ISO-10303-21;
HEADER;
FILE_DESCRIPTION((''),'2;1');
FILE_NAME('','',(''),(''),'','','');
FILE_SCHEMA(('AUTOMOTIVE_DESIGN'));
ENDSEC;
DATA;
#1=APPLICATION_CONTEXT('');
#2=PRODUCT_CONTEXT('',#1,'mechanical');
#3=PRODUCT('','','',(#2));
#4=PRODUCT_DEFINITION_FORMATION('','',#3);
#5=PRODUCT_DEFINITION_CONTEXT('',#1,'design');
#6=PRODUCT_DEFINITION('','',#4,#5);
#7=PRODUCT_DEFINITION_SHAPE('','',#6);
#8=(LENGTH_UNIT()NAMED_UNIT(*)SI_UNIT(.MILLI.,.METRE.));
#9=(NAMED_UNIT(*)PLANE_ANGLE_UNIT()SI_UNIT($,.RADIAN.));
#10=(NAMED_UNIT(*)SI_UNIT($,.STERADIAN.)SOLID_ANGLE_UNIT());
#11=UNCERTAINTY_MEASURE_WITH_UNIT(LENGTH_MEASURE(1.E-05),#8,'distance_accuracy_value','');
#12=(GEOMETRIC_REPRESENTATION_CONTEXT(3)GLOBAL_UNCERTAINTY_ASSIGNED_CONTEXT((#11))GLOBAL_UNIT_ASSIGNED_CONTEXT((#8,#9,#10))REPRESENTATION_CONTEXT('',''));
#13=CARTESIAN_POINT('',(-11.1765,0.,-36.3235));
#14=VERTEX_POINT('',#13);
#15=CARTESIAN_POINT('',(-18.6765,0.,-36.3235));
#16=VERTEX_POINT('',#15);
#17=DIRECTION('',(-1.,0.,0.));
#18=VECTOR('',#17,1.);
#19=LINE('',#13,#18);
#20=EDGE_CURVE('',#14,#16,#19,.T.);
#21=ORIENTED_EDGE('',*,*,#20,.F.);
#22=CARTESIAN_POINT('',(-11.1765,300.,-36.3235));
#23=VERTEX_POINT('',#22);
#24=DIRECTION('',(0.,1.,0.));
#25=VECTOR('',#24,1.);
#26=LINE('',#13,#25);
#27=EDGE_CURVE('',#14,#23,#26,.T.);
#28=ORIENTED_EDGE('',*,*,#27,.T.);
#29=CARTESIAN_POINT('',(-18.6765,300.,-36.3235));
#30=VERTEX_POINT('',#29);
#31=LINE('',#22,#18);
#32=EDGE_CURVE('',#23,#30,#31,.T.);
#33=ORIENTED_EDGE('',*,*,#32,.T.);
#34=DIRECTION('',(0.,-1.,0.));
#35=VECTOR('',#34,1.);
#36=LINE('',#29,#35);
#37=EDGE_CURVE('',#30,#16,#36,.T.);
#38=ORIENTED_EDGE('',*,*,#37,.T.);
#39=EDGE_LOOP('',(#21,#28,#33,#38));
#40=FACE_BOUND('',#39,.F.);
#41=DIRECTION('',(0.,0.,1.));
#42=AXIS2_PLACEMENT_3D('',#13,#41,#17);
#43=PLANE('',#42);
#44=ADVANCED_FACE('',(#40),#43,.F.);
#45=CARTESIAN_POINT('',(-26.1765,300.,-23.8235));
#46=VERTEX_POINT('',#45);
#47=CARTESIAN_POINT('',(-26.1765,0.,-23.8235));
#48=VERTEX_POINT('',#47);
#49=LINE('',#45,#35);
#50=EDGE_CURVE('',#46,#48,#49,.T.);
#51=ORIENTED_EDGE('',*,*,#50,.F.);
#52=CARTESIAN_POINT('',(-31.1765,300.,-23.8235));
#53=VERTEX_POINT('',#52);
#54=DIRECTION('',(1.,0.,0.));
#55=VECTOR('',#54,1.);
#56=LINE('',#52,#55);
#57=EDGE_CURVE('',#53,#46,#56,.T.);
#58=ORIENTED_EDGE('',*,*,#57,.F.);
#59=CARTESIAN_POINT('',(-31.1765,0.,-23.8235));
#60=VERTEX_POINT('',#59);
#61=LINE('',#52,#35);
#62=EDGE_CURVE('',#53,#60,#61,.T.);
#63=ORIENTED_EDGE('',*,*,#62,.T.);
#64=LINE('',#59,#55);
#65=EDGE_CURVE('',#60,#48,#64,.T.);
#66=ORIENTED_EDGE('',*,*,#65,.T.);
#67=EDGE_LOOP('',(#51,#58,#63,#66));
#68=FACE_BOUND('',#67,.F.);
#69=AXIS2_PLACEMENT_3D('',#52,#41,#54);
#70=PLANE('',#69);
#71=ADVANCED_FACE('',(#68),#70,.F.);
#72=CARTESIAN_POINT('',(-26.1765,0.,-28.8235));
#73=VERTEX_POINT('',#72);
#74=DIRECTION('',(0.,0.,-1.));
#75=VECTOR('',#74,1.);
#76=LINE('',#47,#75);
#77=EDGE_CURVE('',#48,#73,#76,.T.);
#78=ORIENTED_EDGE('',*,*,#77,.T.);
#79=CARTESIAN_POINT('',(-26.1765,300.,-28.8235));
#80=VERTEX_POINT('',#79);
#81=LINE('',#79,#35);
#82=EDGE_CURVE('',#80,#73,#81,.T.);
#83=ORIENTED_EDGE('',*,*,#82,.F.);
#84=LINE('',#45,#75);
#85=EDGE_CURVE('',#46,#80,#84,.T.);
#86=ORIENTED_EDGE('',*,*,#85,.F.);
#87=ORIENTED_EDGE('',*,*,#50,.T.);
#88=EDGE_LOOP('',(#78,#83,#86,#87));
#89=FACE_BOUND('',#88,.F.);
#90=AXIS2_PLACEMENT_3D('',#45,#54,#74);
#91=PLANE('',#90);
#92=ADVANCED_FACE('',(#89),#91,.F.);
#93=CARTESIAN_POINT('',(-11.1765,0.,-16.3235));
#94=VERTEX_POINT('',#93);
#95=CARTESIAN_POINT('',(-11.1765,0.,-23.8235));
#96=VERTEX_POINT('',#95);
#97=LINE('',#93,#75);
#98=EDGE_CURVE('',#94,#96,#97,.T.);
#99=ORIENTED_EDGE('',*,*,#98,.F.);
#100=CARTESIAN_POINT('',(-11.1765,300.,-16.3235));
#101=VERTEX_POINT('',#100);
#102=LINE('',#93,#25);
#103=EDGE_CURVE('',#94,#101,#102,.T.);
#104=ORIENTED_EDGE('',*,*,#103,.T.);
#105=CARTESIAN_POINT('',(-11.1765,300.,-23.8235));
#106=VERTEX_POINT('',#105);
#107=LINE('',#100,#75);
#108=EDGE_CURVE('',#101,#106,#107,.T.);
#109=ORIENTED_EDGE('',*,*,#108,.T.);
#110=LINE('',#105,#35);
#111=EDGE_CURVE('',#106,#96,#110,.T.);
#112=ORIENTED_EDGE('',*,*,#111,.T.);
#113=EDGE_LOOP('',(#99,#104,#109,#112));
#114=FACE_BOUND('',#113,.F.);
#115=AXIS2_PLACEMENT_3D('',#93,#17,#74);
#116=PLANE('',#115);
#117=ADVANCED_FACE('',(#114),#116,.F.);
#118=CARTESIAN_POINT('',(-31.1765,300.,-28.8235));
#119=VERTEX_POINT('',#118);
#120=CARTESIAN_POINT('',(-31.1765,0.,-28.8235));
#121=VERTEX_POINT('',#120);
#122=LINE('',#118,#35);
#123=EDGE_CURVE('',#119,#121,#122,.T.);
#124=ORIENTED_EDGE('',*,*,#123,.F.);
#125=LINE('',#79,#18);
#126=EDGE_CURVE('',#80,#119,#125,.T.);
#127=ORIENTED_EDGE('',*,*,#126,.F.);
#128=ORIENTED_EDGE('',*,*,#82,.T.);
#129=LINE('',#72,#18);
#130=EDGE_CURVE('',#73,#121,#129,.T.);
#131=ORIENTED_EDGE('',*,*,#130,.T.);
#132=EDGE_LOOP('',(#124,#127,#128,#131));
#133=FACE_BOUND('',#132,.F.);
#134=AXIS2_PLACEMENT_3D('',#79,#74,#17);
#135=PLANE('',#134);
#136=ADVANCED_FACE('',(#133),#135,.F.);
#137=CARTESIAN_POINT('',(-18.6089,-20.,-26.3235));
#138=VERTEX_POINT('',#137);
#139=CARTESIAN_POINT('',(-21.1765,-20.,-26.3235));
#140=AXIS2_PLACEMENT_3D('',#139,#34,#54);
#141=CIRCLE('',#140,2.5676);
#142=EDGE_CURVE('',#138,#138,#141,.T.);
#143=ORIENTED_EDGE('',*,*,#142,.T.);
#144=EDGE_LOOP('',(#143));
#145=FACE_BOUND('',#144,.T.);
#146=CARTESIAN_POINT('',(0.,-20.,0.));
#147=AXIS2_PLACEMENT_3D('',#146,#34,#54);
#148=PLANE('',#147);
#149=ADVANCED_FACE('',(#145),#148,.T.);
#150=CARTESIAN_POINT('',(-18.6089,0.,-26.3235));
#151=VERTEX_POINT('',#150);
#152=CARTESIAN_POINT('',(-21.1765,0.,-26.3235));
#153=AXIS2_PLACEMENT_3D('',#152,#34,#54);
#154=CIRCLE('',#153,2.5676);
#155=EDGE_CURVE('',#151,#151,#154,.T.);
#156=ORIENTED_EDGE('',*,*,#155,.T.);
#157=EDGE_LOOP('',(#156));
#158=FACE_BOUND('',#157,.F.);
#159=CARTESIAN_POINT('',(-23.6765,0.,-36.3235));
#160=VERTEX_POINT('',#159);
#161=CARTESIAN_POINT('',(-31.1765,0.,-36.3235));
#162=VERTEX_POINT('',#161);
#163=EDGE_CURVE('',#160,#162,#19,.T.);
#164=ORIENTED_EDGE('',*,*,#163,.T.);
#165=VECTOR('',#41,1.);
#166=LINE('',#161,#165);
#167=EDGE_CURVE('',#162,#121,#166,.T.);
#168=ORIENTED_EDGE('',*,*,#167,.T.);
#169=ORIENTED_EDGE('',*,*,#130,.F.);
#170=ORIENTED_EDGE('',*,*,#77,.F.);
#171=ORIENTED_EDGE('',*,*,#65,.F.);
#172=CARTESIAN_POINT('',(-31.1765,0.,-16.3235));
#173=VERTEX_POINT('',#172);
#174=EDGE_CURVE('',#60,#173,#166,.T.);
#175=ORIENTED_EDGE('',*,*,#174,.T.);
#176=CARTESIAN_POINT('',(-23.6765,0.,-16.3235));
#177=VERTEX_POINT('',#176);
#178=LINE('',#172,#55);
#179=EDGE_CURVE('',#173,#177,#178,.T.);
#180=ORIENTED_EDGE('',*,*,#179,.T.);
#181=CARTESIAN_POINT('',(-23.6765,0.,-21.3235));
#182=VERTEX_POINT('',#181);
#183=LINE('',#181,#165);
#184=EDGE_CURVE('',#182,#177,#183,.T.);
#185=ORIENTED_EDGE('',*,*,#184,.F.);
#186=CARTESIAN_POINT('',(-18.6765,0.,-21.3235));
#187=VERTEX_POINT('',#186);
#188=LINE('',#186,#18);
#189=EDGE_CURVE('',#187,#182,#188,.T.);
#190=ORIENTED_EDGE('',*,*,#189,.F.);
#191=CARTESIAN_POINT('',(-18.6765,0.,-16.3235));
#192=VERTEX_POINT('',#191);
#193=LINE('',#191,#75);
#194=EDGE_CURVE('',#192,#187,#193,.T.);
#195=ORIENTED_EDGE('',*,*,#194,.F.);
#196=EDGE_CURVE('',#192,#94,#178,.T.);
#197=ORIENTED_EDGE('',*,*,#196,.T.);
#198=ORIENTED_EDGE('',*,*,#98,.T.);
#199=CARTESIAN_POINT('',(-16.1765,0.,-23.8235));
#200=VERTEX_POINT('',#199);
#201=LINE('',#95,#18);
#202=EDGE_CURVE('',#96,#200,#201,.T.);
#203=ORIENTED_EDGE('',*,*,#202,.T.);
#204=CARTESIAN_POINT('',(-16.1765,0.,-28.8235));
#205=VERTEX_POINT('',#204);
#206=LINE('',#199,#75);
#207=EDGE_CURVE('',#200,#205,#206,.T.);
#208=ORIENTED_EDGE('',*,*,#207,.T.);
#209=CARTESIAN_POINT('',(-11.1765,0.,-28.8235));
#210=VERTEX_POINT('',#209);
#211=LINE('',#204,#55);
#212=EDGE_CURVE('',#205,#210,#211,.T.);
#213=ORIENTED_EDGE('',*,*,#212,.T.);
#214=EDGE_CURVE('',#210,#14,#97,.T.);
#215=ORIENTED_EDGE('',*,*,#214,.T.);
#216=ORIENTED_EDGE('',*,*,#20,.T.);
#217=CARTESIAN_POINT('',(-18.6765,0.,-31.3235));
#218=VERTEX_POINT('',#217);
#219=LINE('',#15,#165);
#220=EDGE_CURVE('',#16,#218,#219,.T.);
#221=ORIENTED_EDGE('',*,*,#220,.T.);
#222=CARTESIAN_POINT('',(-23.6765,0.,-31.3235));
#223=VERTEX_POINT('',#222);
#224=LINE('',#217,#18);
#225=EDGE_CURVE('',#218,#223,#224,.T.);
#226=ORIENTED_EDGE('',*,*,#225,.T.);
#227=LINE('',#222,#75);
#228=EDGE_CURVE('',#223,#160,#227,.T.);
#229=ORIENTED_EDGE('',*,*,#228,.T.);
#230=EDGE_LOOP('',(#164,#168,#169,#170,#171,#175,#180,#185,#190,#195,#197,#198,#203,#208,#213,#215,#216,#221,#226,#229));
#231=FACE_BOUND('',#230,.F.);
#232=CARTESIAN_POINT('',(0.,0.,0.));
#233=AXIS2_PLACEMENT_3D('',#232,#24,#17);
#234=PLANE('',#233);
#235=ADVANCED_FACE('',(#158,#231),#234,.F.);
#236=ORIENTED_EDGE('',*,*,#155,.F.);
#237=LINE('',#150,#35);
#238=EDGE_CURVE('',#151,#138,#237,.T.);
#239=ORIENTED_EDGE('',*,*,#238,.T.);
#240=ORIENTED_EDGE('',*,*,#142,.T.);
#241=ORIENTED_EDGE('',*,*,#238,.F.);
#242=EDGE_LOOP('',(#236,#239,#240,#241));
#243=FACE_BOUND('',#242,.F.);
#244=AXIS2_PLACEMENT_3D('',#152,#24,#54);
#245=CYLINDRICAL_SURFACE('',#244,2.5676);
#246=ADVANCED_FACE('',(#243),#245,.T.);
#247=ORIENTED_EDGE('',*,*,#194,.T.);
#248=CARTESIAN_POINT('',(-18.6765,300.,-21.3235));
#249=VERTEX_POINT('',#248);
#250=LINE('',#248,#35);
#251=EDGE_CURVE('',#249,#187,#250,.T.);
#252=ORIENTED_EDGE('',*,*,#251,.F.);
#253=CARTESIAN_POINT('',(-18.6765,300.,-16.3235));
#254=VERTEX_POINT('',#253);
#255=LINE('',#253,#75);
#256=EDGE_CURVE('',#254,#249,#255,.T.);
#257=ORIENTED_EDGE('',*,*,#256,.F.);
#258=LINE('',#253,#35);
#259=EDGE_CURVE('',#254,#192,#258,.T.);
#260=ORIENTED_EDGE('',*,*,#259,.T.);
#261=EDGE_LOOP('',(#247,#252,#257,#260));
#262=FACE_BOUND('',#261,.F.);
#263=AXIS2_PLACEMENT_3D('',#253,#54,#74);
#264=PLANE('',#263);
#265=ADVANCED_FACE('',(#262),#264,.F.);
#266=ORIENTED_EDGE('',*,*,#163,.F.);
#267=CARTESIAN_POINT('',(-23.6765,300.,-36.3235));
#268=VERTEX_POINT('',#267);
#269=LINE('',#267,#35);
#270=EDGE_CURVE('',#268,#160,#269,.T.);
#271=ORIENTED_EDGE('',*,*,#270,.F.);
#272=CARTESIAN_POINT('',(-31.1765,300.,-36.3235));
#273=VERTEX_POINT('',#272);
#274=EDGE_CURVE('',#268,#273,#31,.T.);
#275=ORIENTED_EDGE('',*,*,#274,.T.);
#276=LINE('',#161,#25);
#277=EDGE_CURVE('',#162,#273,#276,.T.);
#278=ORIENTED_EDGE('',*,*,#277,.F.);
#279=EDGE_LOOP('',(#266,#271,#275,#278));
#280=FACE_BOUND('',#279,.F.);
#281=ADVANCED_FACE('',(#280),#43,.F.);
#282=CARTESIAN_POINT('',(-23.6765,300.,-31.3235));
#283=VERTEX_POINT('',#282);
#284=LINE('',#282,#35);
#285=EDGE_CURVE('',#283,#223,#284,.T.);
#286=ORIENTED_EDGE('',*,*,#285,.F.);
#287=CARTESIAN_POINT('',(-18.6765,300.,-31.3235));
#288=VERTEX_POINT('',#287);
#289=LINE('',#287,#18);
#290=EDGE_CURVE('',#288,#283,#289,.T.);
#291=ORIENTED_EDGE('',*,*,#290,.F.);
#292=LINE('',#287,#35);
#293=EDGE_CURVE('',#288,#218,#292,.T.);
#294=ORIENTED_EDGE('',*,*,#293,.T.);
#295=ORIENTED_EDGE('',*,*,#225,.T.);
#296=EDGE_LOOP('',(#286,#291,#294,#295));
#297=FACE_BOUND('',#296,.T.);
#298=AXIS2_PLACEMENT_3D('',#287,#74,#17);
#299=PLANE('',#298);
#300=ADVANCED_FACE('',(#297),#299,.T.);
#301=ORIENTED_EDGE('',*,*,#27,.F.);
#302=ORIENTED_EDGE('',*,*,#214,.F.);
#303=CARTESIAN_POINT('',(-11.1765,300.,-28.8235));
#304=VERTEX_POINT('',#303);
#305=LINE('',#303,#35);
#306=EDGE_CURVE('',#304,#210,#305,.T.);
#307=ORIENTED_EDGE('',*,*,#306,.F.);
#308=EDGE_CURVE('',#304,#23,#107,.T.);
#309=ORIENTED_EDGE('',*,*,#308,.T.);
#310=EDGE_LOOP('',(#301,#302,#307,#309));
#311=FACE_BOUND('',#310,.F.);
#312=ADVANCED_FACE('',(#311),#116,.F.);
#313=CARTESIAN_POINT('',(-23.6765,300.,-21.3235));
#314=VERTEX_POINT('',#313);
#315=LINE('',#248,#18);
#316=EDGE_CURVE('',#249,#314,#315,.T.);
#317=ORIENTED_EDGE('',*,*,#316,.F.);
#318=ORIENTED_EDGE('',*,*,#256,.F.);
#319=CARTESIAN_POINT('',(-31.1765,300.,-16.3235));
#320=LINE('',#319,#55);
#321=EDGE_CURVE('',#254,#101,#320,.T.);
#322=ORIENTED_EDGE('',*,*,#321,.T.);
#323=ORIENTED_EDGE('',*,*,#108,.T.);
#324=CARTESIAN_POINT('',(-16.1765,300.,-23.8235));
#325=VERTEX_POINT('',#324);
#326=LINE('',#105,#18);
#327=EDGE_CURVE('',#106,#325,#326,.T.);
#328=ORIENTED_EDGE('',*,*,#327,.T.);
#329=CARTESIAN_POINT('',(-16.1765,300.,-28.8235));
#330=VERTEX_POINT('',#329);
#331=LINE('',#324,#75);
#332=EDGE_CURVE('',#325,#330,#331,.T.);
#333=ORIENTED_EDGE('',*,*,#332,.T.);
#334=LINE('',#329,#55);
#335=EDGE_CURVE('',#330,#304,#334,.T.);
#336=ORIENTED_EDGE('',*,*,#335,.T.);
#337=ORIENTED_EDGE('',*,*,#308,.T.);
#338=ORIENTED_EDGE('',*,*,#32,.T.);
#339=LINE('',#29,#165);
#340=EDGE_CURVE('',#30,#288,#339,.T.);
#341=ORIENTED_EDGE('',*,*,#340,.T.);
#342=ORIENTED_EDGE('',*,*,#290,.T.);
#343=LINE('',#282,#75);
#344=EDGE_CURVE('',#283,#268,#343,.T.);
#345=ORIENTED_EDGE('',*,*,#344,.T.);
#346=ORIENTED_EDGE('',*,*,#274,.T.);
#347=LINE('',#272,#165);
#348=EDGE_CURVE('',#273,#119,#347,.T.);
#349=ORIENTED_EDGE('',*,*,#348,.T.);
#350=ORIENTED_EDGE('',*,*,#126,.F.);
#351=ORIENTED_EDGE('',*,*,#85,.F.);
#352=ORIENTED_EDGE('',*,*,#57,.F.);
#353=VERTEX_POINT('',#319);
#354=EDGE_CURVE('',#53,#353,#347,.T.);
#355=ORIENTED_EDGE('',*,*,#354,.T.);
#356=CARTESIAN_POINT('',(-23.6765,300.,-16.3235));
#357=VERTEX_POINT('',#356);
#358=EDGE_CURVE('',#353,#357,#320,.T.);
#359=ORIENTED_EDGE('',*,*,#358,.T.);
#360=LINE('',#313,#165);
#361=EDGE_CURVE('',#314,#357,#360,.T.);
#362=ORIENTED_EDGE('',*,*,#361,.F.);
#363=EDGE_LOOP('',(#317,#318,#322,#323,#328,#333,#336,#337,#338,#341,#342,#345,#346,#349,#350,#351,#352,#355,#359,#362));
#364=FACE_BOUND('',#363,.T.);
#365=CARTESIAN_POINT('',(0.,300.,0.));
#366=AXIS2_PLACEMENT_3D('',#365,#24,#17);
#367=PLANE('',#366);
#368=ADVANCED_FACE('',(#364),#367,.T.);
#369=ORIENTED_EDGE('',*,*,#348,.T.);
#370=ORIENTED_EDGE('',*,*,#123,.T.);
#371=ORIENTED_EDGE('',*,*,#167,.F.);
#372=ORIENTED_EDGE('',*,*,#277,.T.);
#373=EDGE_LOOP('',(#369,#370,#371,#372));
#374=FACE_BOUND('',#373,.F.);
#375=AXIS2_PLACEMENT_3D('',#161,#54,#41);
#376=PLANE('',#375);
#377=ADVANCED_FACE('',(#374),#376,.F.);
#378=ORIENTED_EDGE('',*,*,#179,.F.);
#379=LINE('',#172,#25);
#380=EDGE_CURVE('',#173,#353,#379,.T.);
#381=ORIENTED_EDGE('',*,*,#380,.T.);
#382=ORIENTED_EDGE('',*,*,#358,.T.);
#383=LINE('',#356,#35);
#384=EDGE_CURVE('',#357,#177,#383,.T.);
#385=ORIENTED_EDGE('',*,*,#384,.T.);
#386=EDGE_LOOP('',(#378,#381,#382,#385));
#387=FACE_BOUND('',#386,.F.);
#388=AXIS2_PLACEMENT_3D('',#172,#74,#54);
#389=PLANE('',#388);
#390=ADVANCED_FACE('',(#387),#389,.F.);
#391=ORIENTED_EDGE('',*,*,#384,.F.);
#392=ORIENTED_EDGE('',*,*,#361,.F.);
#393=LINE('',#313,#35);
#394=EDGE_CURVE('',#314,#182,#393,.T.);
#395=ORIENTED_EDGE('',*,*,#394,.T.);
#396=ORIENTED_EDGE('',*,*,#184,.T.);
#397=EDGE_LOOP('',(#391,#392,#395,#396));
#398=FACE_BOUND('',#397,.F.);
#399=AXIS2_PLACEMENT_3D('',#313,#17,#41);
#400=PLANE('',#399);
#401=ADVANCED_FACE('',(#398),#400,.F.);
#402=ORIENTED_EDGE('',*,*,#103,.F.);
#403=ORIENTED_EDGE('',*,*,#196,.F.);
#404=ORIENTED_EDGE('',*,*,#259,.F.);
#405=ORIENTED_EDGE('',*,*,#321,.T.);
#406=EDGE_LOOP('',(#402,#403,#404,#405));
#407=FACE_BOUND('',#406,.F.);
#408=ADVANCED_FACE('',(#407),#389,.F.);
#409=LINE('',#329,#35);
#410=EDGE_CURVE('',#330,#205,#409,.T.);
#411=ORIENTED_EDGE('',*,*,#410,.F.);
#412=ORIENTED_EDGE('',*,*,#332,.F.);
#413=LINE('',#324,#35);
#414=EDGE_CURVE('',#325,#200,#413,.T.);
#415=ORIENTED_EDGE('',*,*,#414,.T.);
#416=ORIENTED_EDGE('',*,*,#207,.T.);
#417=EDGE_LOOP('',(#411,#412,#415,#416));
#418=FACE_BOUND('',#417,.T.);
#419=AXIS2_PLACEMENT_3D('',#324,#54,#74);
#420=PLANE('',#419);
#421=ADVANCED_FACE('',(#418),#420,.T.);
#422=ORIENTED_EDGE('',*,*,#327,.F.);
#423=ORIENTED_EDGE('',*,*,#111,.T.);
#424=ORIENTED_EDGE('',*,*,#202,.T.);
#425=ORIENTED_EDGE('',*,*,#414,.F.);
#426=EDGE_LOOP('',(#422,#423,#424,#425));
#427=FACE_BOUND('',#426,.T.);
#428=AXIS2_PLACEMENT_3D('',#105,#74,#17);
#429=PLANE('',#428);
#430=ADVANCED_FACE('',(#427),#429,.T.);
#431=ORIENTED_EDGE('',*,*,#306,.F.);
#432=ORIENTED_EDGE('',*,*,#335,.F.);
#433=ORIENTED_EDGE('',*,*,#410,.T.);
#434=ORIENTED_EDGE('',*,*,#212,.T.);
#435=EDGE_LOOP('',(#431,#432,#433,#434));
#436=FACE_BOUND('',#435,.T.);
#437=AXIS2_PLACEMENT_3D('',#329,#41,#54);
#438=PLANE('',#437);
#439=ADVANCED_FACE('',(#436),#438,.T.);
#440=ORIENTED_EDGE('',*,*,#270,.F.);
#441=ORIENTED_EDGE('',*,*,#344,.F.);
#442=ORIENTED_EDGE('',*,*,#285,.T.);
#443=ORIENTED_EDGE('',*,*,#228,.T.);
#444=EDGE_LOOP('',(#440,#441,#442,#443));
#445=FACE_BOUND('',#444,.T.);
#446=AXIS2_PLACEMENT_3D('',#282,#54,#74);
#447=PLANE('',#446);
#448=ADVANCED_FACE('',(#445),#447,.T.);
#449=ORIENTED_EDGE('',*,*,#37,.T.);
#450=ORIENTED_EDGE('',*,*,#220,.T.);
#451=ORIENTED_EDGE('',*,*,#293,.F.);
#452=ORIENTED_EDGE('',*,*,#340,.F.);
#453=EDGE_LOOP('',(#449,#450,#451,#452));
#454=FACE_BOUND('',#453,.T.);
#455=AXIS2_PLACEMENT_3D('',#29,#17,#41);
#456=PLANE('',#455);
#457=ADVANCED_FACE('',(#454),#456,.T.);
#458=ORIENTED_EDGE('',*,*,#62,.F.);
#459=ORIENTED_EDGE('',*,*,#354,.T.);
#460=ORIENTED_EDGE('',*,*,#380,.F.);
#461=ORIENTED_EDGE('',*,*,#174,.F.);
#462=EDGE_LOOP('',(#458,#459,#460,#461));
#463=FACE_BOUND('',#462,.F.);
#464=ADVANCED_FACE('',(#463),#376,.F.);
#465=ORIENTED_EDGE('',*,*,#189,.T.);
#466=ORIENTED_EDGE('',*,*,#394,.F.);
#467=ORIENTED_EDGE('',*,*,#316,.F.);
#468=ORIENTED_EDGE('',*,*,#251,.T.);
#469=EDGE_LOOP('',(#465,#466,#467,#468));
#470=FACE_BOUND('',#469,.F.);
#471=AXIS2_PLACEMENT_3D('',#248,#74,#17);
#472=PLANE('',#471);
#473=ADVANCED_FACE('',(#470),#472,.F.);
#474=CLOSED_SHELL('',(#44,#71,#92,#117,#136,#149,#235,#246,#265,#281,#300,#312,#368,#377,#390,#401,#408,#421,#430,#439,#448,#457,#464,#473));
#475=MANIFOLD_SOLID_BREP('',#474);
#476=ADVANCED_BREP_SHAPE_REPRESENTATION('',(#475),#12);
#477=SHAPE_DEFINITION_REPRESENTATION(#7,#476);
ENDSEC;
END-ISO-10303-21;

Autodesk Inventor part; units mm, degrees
ref_plane "YZ Plane" through (0, 0, 0) normal (1, 0, 0) x (0, 1, 0)
ref_plane "XZ Plane" through (0, 0, 0) normal (0, 1, 0) x (-1, 0, 0)
ref_plane "XY Plane" through (0, 0, 0) normal (0, 0, 1) x (1, 0, 0)
sketch "Skizze1" plane through (0, 0, 0) normal (0, 1, 0) x (-1, 0, 0)
  line L0 (31.1765, -16.3235) -> (11.1765, -16.3235)
  line L1 (11.1765, -16.3235) -> (11.1765, -36.3235)
  line L2 (11.1765, -36.3235) -> (31.1765, -36.3235)
  line L3 (31.1765, -36.3235) -> (31.1765, -16.3235)
  point P0 (0, 0)
  dimension "d0" = 20
  dimension "d1" = 20
extrude "Extrusion1" add sketch "Skizze1" along normal blind 300
sketch "Skizze2" plane through (0, 0, 0) normal (0, -1, 0) x (1, 0, 0)
  line L0 (-11.1765, -16.3235) -> (-11.1765, -36.3235) projected
  line L1 (-31.1765, -16.3235) -> (-11.1765, -16.3235) projected
  circle A0 centre (-21.1765, -26.3235) radius 2.5676
  point P0 (0, 0)
  dimension "d5" = 10
  dimension "d6" = 10
extrude "Extrusion2" add sketch "Skizze2" along normal blind 20
sketch "Skizze3" plane through (0, 300, 0) normal (0, 1, 0) x (1, 0, 0)
  line L0 (-11.1765, 16.3235) -> (-11.1765, 36.3235) projected
  line L1 (-11.1765, 23.8235) -> (-16.1765, 23.8235)
  line L2 (-16.1765, 23.8235) -> (-16.1765, 28.8235)
  line L3 (-16.1765, 28.8235) -> (-11.1765, 28.8235)
  line L4 (-11.1765, 28.8235) -> (-11.1765, 23.8235)
  line L5 (-11.1765, 36.3235) -> (-31.1765, 36.3235) projected
  line L6 (-23.6765, 36.3235) -> (-18.6765, 36.3235)
  line L7 (-18.6765, 36.3235) -> (-18.6765, 31.3235)
  line L8 (-18.6765, 31.3235) -> (-23.6765, 31.3235)
  line L9 (-23.6765, 31.3235) -> (-23.6765, 36.3235)
  line L10 (-31.1765, 23.8235) -> (-26.1765, 23.8235)
  line L11 (-26.1765, 23.8235) -> (-26.1765, 28.8235)
  line L12 (-26.1765, 28.8235) -> (-31.1765, 28.8235)
  line L13 (-31.1765, 28.8235) -> (-31.1765, 23.8235)
  line L14 (-31.1765, 16.3235) -> (-11.1765, 16.3235) projected
  line L15 (-23.6765, 16.3235) -> (-18.6765, 16.3235)
  line L16 (-18.6765, 16.3235) -> (-18.6765, 21.3235)
  line L17 (-18.6765, 21.3235) -> (-23.6765, 21.3235)
  line L18 (-23.6765, 21.3235) -> (-23.6765, 16.3235)
  line L19 (-31.1765, 36.3235) -> (-31.1765, 16.3235) projected
  point P0 (0, 0)
  dimension "d9" = 5
  dimension "d10" = 7.5
  dimension "d11" = 7.5
  dimension "d12" = 5
  dimension "d13" = 7.5
  dimension "d14" = 5
  dimension "d15" = 5
  dimension "d16" = 7.5
  dimension "d17" = 5
  dimension "d18" = 5
  dimension "d19" = 5
  dimension "d20" = 5
extrude "Extrusion3" cut sketch "Skizze3" against normal blind 300 contours L1 L2 L3 L0 | L14 L18 L17 L16 | L7 L8 L9 L5 | L13 L12 L11 L10
properties material "Aluminium 6061"
